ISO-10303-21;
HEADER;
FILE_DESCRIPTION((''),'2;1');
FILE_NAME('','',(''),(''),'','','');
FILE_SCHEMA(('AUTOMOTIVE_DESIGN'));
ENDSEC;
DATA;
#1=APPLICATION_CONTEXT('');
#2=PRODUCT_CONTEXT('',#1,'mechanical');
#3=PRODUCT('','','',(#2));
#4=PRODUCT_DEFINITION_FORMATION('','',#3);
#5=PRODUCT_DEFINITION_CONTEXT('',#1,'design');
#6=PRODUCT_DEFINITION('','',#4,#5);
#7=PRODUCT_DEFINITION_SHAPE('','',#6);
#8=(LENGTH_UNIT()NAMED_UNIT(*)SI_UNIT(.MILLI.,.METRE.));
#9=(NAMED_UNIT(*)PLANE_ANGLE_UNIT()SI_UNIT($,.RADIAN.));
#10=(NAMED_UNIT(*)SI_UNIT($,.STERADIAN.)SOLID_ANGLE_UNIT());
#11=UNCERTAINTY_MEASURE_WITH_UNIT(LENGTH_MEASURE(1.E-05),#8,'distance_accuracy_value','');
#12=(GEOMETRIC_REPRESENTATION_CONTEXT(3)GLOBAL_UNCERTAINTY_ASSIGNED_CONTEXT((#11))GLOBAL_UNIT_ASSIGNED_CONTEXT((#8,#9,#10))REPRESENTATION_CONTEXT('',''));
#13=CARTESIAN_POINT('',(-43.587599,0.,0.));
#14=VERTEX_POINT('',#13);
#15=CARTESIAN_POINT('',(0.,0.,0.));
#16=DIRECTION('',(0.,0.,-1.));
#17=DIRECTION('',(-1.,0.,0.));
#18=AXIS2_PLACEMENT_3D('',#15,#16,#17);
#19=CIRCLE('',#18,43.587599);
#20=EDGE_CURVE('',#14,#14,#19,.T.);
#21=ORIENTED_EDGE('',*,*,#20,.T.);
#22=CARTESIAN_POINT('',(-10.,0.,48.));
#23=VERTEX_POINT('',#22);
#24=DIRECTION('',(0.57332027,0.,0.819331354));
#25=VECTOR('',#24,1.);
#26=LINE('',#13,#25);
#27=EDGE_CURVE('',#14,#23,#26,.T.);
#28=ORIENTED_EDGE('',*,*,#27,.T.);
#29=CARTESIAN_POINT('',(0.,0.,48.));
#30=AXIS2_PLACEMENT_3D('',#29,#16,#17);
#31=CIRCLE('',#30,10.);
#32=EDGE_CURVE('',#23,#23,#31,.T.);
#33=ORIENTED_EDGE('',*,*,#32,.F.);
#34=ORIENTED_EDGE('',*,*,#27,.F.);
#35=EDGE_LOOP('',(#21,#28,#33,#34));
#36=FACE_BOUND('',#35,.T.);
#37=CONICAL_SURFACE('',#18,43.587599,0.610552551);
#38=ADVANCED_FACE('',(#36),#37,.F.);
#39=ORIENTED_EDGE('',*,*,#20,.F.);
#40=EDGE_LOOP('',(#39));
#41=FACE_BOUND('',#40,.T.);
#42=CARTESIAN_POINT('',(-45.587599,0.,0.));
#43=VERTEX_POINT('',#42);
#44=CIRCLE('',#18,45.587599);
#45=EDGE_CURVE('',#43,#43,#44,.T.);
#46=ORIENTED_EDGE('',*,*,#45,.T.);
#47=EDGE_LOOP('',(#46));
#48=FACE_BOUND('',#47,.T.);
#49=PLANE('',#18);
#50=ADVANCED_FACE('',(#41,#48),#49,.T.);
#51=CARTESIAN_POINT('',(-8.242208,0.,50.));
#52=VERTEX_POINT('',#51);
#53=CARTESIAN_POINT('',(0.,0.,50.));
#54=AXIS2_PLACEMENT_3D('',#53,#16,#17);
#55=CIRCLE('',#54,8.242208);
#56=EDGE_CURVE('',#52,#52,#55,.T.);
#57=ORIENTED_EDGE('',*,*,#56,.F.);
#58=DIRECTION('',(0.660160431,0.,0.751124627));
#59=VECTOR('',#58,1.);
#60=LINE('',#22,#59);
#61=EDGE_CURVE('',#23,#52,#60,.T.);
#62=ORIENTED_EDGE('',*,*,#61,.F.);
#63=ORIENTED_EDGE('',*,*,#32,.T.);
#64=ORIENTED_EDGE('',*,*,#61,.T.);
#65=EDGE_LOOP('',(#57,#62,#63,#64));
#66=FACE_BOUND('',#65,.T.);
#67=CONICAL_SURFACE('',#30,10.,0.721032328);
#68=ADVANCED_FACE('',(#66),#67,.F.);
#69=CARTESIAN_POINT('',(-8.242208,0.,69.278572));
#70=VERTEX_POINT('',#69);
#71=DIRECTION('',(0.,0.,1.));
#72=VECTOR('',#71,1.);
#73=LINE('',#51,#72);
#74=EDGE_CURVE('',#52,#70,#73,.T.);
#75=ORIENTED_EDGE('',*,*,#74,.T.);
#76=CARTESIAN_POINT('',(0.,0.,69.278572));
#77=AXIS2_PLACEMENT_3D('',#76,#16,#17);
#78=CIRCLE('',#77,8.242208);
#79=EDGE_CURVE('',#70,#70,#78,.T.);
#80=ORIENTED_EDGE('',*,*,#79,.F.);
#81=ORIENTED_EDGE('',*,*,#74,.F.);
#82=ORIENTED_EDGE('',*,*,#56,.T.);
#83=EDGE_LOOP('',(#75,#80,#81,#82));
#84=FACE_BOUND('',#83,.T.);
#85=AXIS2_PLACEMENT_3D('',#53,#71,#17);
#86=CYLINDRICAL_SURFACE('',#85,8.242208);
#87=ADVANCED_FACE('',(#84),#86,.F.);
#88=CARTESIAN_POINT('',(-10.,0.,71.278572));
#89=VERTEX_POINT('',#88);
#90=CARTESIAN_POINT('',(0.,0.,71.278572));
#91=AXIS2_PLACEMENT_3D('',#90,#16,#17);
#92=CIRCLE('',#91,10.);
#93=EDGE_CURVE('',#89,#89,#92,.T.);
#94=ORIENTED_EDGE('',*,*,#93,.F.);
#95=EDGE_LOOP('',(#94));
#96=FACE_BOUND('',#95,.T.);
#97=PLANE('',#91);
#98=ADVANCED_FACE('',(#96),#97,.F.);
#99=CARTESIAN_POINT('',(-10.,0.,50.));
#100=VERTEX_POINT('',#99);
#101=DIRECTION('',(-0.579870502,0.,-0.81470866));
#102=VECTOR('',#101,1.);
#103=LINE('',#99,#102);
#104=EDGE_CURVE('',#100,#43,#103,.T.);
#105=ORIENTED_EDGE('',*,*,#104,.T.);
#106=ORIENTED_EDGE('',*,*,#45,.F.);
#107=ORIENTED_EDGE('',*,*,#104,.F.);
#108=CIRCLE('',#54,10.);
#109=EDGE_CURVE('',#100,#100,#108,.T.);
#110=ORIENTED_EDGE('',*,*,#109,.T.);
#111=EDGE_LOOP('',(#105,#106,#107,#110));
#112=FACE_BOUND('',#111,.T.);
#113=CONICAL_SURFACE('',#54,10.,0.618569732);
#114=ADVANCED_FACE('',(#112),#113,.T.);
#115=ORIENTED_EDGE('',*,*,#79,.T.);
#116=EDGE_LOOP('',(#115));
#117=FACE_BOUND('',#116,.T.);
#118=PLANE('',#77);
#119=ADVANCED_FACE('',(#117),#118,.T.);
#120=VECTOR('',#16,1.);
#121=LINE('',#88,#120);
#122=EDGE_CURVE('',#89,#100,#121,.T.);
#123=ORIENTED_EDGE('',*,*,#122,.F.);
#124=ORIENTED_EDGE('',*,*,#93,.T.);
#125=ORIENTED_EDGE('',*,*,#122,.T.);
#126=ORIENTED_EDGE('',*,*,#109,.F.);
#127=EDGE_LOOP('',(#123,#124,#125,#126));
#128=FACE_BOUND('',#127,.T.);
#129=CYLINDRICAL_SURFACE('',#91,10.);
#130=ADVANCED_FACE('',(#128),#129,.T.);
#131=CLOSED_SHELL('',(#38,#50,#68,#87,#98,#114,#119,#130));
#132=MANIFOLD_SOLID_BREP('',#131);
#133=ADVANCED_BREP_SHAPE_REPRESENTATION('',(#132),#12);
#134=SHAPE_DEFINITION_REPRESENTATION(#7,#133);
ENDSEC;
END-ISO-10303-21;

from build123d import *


with BuildPart() as f1:
    # F0 (on Front) → F1 (revolve)
    with BuildSketch(Plane.XZ):
        Polygon((-10, 71.278572), (-10, 50), (-10, 48), (-8.242208, 50), (-8.242208, 69.278572), (0, 69.278572), (0, 71.278572), align=None)
        Polygon((-10, 48), (-10, 50), (-45.587599, 0), (-43.587599, 0), align=None)
    revolve(axis=Axis((0, 0, 70.278572), (0, 0, -1)))


solid = f1.part
